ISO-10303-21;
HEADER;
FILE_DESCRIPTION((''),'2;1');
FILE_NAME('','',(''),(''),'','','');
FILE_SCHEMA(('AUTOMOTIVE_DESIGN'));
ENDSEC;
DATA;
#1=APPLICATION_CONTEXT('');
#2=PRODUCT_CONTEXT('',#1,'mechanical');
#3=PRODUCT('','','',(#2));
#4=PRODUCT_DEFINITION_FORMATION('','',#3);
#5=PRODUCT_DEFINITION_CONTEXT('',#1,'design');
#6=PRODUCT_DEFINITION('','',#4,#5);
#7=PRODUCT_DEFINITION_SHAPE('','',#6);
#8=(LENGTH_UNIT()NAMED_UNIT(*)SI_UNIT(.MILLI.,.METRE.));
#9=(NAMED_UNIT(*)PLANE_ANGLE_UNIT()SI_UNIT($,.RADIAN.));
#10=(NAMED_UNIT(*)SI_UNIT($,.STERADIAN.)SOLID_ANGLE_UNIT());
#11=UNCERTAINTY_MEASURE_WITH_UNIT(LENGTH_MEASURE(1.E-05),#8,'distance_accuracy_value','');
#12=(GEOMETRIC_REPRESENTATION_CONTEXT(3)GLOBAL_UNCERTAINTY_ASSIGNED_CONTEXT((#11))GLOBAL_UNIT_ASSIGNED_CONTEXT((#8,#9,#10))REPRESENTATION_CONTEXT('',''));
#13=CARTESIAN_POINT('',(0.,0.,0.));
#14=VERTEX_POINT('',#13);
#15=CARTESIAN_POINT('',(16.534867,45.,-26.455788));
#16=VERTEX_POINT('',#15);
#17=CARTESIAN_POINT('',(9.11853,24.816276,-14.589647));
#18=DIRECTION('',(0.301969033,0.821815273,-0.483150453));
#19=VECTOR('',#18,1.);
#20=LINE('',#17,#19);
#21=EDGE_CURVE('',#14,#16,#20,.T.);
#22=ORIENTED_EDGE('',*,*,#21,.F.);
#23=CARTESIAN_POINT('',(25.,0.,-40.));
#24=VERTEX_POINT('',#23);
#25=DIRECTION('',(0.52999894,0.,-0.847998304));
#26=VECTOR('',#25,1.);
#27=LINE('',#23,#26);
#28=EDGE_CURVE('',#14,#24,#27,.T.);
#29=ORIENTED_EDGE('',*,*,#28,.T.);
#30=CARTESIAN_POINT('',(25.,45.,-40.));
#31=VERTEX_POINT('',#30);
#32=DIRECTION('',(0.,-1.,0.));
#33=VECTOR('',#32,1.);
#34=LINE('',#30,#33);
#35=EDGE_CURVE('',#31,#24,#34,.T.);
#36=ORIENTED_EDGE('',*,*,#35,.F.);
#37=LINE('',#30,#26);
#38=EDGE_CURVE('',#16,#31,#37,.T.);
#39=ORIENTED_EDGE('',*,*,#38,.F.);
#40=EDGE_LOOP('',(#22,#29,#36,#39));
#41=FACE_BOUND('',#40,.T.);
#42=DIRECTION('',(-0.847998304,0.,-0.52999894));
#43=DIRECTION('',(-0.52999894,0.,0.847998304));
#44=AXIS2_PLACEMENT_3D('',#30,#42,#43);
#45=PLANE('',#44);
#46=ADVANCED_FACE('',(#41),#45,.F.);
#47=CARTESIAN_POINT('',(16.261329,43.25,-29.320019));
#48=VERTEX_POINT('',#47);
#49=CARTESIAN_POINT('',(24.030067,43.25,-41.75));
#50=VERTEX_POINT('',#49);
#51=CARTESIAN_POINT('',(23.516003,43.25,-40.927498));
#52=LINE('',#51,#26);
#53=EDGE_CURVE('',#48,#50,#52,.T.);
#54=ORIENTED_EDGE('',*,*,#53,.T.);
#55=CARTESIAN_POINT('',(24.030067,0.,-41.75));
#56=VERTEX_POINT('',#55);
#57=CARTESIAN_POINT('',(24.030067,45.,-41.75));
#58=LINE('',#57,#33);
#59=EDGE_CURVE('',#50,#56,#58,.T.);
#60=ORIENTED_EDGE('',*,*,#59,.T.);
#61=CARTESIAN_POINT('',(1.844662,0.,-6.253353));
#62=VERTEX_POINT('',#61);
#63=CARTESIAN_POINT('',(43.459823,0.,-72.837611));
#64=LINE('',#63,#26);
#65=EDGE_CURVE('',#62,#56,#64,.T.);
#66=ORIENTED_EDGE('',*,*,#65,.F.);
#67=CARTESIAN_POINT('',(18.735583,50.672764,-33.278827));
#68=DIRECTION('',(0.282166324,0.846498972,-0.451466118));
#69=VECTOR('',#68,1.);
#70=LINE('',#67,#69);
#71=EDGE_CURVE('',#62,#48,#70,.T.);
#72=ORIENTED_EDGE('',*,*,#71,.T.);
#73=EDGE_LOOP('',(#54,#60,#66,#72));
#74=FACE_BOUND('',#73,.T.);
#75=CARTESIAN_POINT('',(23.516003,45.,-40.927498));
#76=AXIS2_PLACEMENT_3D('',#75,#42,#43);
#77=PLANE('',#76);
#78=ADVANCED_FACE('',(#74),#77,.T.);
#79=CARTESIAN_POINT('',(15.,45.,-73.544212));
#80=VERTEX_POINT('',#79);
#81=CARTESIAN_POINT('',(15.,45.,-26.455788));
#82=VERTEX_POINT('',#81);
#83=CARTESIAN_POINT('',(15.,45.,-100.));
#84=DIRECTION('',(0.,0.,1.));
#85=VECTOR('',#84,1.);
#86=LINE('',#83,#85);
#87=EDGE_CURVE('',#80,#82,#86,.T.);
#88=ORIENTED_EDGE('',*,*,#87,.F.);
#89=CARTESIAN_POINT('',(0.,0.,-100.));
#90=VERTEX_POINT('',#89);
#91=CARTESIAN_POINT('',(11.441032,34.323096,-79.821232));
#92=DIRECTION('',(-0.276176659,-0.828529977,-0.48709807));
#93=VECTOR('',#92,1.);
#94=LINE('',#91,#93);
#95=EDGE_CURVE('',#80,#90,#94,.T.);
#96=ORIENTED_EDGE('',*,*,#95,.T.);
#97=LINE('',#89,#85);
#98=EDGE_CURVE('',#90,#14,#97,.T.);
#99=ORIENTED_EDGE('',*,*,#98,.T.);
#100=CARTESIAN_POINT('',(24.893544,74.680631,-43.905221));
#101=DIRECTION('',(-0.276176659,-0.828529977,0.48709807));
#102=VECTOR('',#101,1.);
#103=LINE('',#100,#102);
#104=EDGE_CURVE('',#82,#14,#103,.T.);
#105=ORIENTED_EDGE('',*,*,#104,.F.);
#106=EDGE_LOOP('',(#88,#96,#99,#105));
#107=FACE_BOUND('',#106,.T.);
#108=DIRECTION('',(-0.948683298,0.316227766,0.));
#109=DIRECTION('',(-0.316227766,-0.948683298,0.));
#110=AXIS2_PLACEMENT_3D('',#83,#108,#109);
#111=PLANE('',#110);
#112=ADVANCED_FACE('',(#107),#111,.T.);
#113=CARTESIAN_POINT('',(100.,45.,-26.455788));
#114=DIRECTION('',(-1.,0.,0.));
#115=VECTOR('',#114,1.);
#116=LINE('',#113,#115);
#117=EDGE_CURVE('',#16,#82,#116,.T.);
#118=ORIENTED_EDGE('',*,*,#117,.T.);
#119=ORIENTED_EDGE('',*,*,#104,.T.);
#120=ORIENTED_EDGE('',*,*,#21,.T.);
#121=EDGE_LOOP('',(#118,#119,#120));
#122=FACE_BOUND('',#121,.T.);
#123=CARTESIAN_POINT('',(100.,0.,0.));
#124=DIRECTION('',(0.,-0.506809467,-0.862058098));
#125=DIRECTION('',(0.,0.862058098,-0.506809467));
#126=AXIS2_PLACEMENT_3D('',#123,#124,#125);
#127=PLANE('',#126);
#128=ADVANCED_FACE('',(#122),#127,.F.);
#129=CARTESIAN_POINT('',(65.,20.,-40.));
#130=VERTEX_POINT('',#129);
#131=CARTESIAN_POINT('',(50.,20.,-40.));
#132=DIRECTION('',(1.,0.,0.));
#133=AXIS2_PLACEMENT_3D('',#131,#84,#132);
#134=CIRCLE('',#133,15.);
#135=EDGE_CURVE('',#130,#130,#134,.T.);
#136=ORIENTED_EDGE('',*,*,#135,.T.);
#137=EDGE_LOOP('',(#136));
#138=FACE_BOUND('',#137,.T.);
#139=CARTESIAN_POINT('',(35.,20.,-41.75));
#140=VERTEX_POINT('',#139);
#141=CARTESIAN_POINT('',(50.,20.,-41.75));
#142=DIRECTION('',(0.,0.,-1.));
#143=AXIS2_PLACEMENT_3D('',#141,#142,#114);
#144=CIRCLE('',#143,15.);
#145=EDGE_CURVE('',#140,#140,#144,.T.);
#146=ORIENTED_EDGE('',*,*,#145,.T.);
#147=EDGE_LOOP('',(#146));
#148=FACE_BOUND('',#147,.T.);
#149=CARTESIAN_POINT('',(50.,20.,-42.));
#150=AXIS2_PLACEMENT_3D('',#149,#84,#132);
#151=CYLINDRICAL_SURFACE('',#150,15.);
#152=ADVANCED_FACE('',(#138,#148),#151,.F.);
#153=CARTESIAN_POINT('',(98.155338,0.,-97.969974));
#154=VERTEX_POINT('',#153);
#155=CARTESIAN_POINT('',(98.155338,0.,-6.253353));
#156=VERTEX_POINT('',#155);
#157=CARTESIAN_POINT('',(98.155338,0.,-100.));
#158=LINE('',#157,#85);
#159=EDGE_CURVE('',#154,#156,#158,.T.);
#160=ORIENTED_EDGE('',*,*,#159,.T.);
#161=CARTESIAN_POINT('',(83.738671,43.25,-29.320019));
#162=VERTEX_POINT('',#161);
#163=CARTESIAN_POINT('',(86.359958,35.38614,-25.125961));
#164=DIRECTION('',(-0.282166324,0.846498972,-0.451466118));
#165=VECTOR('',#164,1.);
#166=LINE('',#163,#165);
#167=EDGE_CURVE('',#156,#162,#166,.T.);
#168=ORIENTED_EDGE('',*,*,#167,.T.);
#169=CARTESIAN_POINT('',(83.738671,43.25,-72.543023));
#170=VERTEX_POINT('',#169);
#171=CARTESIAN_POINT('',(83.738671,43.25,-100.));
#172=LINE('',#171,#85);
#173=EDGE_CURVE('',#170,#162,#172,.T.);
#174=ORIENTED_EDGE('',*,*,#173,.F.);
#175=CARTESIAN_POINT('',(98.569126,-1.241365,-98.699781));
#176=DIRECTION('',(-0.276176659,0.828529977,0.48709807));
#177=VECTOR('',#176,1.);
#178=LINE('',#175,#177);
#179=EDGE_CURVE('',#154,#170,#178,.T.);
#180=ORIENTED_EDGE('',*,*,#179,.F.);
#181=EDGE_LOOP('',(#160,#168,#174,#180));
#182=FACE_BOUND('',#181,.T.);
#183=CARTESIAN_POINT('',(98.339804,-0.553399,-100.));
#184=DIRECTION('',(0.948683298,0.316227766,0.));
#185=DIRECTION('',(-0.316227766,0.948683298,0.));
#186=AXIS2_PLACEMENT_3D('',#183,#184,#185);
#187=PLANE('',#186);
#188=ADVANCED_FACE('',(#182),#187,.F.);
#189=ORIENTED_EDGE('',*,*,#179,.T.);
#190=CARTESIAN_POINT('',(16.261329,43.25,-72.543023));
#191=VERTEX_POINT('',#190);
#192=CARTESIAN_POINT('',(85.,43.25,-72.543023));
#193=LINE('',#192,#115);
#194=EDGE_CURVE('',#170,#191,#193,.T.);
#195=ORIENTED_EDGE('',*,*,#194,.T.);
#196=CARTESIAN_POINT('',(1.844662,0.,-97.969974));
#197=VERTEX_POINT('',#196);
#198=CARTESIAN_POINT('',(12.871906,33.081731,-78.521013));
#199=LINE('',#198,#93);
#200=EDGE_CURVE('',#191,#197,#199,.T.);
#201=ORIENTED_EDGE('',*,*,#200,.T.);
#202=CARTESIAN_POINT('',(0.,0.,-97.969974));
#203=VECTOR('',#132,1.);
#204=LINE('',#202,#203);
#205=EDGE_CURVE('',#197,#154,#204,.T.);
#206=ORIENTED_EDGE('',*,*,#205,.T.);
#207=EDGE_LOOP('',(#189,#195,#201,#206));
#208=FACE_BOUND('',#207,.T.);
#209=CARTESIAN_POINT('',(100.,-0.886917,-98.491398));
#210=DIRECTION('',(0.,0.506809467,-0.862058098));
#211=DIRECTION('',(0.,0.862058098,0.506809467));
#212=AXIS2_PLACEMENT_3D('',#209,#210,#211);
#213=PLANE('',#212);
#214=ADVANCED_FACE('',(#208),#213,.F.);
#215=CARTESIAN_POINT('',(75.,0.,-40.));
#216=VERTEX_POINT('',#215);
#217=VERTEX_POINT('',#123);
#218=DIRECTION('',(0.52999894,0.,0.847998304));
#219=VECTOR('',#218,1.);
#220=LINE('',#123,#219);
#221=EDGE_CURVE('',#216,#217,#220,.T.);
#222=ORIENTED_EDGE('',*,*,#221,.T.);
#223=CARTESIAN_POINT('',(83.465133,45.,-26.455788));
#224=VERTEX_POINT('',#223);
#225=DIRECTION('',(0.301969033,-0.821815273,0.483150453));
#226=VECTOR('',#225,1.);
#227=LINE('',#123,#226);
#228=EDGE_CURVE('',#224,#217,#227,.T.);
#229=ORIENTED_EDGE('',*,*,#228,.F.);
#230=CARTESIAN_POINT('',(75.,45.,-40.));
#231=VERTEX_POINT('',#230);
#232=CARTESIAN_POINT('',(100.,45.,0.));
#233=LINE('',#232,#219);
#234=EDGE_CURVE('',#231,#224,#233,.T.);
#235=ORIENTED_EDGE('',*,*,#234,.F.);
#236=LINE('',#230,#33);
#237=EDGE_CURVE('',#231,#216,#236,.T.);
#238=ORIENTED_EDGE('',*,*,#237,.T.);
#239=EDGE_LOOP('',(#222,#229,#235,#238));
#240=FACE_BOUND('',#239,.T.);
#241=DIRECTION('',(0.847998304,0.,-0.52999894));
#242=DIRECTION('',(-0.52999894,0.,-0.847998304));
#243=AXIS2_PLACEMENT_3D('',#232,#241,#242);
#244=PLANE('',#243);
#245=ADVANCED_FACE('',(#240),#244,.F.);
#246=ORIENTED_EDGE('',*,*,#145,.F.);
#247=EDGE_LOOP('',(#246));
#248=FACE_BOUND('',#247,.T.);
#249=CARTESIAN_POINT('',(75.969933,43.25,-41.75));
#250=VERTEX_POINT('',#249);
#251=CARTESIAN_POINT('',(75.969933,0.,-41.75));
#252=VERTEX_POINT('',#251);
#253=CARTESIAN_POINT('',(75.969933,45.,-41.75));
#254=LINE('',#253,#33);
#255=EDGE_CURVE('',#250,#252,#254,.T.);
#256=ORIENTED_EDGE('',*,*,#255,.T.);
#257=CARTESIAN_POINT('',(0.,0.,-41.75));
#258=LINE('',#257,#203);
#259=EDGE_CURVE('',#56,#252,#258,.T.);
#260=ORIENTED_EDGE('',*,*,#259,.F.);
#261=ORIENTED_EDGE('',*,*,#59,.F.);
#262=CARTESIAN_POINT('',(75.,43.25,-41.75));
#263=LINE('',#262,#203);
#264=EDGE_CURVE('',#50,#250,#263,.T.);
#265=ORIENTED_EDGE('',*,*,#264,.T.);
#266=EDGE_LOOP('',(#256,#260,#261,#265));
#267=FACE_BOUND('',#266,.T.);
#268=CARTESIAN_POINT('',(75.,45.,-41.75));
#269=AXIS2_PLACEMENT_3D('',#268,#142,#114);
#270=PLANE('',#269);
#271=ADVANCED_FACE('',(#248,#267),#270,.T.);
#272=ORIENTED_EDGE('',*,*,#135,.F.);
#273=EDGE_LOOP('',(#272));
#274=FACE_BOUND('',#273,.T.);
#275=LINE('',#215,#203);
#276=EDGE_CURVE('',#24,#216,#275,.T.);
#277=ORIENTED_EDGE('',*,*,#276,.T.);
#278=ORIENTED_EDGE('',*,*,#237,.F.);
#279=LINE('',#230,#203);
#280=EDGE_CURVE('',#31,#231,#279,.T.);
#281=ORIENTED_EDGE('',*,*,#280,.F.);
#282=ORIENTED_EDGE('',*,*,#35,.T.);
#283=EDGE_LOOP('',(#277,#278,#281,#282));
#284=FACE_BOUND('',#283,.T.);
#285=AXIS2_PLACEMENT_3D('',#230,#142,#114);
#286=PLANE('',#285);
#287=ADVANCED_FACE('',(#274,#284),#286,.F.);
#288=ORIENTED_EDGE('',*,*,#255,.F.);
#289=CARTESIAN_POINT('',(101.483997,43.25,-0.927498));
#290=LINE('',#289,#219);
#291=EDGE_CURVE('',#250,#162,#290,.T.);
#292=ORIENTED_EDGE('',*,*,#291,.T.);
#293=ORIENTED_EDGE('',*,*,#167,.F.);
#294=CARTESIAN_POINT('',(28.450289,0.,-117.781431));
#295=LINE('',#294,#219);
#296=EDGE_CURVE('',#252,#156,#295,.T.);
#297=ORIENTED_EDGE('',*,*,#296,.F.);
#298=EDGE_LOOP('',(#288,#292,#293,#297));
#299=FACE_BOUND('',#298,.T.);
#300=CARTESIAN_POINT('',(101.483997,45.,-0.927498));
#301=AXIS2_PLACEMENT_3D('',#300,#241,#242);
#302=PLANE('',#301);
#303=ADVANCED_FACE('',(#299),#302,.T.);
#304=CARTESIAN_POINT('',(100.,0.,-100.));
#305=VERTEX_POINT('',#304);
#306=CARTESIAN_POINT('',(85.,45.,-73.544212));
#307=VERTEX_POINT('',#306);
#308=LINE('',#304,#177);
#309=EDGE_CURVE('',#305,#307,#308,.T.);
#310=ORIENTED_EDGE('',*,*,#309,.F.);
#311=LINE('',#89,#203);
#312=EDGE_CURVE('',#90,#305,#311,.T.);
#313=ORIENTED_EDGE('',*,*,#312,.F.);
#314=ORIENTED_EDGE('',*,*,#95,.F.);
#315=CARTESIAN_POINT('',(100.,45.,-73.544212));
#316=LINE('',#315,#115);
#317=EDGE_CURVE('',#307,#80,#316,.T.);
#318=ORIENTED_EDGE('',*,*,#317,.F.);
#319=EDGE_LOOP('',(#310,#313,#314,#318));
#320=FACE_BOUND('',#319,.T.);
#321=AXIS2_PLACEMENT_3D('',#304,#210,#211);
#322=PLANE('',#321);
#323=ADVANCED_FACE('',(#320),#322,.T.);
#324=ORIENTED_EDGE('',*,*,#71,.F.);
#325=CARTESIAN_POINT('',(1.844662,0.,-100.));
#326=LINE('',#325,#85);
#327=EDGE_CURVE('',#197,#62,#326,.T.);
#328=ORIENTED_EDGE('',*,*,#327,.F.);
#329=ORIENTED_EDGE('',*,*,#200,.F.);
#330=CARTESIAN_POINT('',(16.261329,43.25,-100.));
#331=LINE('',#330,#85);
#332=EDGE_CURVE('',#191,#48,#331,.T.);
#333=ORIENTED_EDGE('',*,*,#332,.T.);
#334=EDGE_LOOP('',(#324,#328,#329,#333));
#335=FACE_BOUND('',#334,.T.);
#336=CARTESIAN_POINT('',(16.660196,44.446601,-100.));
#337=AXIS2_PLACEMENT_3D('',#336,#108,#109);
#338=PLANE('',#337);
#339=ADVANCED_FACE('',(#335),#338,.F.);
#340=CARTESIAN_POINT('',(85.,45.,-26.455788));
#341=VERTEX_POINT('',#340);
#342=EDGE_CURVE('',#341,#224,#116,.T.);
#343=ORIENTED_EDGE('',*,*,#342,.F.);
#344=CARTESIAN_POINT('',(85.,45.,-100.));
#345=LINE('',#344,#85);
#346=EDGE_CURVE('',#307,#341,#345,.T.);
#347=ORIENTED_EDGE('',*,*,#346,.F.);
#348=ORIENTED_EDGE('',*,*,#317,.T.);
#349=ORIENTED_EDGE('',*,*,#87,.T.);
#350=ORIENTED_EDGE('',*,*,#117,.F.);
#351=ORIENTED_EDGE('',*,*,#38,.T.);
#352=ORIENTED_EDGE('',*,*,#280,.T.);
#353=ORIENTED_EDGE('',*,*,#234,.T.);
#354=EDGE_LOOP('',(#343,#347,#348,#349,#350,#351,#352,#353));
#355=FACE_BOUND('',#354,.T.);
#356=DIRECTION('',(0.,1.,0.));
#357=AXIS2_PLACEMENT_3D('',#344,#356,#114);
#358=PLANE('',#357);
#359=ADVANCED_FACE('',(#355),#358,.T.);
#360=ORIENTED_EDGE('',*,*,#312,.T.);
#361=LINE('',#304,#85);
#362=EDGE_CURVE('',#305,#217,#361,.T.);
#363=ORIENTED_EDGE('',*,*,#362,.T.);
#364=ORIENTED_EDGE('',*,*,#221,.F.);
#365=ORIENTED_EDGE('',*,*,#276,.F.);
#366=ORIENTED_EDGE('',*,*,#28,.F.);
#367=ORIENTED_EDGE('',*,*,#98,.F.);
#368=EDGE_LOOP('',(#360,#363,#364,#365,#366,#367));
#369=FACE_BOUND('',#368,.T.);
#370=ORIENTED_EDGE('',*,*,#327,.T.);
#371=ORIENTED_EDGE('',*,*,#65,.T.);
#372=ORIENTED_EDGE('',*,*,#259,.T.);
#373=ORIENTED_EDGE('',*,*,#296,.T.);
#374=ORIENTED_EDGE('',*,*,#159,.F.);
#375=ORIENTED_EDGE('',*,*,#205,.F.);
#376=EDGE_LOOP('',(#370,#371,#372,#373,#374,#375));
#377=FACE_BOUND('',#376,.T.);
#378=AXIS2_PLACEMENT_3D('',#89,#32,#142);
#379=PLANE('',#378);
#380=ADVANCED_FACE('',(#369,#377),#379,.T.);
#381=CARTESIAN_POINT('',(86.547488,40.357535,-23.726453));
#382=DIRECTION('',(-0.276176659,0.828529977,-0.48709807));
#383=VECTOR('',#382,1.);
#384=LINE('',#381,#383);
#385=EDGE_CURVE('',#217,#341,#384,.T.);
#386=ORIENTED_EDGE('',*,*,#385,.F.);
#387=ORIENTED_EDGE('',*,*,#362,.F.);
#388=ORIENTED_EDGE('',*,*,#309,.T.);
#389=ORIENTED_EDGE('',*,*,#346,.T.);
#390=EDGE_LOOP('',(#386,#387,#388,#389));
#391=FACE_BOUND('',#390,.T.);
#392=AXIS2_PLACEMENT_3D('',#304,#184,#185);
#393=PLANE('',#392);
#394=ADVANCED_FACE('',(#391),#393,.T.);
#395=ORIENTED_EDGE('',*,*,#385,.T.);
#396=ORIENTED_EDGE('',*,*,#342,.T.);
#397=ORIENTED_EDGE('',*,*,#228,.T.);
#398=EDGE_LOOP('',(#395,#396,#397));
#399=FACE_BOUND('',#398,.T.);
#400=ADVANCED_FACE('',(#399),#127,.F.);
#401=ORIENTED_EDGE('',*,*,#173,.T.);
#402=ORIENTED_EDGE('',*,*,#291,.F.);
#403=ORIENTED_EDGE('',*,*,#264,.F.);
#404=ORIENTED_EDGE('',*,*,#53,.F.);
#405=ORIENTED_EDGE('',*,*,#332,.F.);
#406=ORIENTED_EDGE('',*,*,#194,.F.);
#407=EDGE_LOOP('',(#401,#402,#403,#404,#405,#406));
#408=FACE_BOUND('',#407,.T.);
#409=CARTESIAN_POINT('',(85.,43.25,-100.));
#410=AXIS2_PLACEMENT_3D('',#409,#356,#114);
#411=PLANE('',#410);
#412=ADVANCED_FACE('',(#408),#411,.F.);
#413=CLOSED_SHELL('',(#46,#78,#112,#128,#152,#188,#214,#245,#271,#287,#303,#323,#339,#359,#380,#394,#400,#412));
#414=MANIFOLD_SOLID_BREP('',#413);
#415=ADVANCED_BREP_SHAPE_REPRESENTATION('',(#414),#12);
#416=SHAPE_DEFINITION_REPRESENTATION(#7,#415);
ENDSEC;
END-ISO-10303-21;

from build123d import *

# Parameters (mm, degrees)
GRUNDK_RPER_DEPTH               = 100
SCHRAEGEN_VORNE_DEPTH           = 100
SCHNITT_LINEAR_AUSTRAGEN4_DEPTH = 45
WANDUNG3_T                      = -1.75
SKIZZE6_R                       = 15
SCHNITT_LINEAR_AUSTRAGEN6_DEPTH = 2


with BuildPart() as part:
    # Skizze1 → Grundkörper (new body)
    with BuildSketch(Plane.XY):
        Polygon((0, 0), (100, 0), (85, 45), (15, 45), align=None)
    extrude(amount=-GRUNDK_RPER_DEPTH)

    # Skizze2 → Schraegen_vorne (cut)
    with BuildSketch(Plane(origin=(0, 0, 0), x_dir=(0, 0, -1), z_dir=(1, 0, 0))):
        Polygon((100, 0), (73.544212344, 45), (100, 45), align=None)
    schraegen_vorne = extrude(amount=SCHRAEGEN_VORNE_DEPTH, mode=Mode.SUBTRACT)

    # Spiegel_Schraege_hinten: Schraegen_vorne across plane
    add(schraegen_vorne.mirror(Plane.XY.offset(-50)), mode=Mode.SUBTRACT)

    # Skizze4 → Schnitt-Linear austragen4 (cut)
    with BuildSketch(Plane.XZ):
        Polygon((100, 0), (75, -40), (25, -40), (0, 0), align=None)
    extrude(amount=-SCHNITT_LINEAR_AUSTRAGEN4_DEPTH, mode=Mode.SUBTRACT)

    # Wandung3
    wandung3_openings = [part.faces().sort_by_distance(p)[0] for p in [
        (50, 0, -63.80952381),
    ]]
    offset(amount=WANDUNG3_T, openings=wandung3_openings, kind=Kind.INTERSECTION)

    # Skizze6 → Schnitt-Linear austragen6 (cut)
    with BuildSketch(Plane.XY.offset(-40)):
        with Locations((50, 20)):
            Circle(SKIZZE6_R)
    extrude(amount=-SCHNITT_LINEAR_AUSTRAGEN6_DEPTH, mode=Mode.SUBTRACT)


solid = part.part
